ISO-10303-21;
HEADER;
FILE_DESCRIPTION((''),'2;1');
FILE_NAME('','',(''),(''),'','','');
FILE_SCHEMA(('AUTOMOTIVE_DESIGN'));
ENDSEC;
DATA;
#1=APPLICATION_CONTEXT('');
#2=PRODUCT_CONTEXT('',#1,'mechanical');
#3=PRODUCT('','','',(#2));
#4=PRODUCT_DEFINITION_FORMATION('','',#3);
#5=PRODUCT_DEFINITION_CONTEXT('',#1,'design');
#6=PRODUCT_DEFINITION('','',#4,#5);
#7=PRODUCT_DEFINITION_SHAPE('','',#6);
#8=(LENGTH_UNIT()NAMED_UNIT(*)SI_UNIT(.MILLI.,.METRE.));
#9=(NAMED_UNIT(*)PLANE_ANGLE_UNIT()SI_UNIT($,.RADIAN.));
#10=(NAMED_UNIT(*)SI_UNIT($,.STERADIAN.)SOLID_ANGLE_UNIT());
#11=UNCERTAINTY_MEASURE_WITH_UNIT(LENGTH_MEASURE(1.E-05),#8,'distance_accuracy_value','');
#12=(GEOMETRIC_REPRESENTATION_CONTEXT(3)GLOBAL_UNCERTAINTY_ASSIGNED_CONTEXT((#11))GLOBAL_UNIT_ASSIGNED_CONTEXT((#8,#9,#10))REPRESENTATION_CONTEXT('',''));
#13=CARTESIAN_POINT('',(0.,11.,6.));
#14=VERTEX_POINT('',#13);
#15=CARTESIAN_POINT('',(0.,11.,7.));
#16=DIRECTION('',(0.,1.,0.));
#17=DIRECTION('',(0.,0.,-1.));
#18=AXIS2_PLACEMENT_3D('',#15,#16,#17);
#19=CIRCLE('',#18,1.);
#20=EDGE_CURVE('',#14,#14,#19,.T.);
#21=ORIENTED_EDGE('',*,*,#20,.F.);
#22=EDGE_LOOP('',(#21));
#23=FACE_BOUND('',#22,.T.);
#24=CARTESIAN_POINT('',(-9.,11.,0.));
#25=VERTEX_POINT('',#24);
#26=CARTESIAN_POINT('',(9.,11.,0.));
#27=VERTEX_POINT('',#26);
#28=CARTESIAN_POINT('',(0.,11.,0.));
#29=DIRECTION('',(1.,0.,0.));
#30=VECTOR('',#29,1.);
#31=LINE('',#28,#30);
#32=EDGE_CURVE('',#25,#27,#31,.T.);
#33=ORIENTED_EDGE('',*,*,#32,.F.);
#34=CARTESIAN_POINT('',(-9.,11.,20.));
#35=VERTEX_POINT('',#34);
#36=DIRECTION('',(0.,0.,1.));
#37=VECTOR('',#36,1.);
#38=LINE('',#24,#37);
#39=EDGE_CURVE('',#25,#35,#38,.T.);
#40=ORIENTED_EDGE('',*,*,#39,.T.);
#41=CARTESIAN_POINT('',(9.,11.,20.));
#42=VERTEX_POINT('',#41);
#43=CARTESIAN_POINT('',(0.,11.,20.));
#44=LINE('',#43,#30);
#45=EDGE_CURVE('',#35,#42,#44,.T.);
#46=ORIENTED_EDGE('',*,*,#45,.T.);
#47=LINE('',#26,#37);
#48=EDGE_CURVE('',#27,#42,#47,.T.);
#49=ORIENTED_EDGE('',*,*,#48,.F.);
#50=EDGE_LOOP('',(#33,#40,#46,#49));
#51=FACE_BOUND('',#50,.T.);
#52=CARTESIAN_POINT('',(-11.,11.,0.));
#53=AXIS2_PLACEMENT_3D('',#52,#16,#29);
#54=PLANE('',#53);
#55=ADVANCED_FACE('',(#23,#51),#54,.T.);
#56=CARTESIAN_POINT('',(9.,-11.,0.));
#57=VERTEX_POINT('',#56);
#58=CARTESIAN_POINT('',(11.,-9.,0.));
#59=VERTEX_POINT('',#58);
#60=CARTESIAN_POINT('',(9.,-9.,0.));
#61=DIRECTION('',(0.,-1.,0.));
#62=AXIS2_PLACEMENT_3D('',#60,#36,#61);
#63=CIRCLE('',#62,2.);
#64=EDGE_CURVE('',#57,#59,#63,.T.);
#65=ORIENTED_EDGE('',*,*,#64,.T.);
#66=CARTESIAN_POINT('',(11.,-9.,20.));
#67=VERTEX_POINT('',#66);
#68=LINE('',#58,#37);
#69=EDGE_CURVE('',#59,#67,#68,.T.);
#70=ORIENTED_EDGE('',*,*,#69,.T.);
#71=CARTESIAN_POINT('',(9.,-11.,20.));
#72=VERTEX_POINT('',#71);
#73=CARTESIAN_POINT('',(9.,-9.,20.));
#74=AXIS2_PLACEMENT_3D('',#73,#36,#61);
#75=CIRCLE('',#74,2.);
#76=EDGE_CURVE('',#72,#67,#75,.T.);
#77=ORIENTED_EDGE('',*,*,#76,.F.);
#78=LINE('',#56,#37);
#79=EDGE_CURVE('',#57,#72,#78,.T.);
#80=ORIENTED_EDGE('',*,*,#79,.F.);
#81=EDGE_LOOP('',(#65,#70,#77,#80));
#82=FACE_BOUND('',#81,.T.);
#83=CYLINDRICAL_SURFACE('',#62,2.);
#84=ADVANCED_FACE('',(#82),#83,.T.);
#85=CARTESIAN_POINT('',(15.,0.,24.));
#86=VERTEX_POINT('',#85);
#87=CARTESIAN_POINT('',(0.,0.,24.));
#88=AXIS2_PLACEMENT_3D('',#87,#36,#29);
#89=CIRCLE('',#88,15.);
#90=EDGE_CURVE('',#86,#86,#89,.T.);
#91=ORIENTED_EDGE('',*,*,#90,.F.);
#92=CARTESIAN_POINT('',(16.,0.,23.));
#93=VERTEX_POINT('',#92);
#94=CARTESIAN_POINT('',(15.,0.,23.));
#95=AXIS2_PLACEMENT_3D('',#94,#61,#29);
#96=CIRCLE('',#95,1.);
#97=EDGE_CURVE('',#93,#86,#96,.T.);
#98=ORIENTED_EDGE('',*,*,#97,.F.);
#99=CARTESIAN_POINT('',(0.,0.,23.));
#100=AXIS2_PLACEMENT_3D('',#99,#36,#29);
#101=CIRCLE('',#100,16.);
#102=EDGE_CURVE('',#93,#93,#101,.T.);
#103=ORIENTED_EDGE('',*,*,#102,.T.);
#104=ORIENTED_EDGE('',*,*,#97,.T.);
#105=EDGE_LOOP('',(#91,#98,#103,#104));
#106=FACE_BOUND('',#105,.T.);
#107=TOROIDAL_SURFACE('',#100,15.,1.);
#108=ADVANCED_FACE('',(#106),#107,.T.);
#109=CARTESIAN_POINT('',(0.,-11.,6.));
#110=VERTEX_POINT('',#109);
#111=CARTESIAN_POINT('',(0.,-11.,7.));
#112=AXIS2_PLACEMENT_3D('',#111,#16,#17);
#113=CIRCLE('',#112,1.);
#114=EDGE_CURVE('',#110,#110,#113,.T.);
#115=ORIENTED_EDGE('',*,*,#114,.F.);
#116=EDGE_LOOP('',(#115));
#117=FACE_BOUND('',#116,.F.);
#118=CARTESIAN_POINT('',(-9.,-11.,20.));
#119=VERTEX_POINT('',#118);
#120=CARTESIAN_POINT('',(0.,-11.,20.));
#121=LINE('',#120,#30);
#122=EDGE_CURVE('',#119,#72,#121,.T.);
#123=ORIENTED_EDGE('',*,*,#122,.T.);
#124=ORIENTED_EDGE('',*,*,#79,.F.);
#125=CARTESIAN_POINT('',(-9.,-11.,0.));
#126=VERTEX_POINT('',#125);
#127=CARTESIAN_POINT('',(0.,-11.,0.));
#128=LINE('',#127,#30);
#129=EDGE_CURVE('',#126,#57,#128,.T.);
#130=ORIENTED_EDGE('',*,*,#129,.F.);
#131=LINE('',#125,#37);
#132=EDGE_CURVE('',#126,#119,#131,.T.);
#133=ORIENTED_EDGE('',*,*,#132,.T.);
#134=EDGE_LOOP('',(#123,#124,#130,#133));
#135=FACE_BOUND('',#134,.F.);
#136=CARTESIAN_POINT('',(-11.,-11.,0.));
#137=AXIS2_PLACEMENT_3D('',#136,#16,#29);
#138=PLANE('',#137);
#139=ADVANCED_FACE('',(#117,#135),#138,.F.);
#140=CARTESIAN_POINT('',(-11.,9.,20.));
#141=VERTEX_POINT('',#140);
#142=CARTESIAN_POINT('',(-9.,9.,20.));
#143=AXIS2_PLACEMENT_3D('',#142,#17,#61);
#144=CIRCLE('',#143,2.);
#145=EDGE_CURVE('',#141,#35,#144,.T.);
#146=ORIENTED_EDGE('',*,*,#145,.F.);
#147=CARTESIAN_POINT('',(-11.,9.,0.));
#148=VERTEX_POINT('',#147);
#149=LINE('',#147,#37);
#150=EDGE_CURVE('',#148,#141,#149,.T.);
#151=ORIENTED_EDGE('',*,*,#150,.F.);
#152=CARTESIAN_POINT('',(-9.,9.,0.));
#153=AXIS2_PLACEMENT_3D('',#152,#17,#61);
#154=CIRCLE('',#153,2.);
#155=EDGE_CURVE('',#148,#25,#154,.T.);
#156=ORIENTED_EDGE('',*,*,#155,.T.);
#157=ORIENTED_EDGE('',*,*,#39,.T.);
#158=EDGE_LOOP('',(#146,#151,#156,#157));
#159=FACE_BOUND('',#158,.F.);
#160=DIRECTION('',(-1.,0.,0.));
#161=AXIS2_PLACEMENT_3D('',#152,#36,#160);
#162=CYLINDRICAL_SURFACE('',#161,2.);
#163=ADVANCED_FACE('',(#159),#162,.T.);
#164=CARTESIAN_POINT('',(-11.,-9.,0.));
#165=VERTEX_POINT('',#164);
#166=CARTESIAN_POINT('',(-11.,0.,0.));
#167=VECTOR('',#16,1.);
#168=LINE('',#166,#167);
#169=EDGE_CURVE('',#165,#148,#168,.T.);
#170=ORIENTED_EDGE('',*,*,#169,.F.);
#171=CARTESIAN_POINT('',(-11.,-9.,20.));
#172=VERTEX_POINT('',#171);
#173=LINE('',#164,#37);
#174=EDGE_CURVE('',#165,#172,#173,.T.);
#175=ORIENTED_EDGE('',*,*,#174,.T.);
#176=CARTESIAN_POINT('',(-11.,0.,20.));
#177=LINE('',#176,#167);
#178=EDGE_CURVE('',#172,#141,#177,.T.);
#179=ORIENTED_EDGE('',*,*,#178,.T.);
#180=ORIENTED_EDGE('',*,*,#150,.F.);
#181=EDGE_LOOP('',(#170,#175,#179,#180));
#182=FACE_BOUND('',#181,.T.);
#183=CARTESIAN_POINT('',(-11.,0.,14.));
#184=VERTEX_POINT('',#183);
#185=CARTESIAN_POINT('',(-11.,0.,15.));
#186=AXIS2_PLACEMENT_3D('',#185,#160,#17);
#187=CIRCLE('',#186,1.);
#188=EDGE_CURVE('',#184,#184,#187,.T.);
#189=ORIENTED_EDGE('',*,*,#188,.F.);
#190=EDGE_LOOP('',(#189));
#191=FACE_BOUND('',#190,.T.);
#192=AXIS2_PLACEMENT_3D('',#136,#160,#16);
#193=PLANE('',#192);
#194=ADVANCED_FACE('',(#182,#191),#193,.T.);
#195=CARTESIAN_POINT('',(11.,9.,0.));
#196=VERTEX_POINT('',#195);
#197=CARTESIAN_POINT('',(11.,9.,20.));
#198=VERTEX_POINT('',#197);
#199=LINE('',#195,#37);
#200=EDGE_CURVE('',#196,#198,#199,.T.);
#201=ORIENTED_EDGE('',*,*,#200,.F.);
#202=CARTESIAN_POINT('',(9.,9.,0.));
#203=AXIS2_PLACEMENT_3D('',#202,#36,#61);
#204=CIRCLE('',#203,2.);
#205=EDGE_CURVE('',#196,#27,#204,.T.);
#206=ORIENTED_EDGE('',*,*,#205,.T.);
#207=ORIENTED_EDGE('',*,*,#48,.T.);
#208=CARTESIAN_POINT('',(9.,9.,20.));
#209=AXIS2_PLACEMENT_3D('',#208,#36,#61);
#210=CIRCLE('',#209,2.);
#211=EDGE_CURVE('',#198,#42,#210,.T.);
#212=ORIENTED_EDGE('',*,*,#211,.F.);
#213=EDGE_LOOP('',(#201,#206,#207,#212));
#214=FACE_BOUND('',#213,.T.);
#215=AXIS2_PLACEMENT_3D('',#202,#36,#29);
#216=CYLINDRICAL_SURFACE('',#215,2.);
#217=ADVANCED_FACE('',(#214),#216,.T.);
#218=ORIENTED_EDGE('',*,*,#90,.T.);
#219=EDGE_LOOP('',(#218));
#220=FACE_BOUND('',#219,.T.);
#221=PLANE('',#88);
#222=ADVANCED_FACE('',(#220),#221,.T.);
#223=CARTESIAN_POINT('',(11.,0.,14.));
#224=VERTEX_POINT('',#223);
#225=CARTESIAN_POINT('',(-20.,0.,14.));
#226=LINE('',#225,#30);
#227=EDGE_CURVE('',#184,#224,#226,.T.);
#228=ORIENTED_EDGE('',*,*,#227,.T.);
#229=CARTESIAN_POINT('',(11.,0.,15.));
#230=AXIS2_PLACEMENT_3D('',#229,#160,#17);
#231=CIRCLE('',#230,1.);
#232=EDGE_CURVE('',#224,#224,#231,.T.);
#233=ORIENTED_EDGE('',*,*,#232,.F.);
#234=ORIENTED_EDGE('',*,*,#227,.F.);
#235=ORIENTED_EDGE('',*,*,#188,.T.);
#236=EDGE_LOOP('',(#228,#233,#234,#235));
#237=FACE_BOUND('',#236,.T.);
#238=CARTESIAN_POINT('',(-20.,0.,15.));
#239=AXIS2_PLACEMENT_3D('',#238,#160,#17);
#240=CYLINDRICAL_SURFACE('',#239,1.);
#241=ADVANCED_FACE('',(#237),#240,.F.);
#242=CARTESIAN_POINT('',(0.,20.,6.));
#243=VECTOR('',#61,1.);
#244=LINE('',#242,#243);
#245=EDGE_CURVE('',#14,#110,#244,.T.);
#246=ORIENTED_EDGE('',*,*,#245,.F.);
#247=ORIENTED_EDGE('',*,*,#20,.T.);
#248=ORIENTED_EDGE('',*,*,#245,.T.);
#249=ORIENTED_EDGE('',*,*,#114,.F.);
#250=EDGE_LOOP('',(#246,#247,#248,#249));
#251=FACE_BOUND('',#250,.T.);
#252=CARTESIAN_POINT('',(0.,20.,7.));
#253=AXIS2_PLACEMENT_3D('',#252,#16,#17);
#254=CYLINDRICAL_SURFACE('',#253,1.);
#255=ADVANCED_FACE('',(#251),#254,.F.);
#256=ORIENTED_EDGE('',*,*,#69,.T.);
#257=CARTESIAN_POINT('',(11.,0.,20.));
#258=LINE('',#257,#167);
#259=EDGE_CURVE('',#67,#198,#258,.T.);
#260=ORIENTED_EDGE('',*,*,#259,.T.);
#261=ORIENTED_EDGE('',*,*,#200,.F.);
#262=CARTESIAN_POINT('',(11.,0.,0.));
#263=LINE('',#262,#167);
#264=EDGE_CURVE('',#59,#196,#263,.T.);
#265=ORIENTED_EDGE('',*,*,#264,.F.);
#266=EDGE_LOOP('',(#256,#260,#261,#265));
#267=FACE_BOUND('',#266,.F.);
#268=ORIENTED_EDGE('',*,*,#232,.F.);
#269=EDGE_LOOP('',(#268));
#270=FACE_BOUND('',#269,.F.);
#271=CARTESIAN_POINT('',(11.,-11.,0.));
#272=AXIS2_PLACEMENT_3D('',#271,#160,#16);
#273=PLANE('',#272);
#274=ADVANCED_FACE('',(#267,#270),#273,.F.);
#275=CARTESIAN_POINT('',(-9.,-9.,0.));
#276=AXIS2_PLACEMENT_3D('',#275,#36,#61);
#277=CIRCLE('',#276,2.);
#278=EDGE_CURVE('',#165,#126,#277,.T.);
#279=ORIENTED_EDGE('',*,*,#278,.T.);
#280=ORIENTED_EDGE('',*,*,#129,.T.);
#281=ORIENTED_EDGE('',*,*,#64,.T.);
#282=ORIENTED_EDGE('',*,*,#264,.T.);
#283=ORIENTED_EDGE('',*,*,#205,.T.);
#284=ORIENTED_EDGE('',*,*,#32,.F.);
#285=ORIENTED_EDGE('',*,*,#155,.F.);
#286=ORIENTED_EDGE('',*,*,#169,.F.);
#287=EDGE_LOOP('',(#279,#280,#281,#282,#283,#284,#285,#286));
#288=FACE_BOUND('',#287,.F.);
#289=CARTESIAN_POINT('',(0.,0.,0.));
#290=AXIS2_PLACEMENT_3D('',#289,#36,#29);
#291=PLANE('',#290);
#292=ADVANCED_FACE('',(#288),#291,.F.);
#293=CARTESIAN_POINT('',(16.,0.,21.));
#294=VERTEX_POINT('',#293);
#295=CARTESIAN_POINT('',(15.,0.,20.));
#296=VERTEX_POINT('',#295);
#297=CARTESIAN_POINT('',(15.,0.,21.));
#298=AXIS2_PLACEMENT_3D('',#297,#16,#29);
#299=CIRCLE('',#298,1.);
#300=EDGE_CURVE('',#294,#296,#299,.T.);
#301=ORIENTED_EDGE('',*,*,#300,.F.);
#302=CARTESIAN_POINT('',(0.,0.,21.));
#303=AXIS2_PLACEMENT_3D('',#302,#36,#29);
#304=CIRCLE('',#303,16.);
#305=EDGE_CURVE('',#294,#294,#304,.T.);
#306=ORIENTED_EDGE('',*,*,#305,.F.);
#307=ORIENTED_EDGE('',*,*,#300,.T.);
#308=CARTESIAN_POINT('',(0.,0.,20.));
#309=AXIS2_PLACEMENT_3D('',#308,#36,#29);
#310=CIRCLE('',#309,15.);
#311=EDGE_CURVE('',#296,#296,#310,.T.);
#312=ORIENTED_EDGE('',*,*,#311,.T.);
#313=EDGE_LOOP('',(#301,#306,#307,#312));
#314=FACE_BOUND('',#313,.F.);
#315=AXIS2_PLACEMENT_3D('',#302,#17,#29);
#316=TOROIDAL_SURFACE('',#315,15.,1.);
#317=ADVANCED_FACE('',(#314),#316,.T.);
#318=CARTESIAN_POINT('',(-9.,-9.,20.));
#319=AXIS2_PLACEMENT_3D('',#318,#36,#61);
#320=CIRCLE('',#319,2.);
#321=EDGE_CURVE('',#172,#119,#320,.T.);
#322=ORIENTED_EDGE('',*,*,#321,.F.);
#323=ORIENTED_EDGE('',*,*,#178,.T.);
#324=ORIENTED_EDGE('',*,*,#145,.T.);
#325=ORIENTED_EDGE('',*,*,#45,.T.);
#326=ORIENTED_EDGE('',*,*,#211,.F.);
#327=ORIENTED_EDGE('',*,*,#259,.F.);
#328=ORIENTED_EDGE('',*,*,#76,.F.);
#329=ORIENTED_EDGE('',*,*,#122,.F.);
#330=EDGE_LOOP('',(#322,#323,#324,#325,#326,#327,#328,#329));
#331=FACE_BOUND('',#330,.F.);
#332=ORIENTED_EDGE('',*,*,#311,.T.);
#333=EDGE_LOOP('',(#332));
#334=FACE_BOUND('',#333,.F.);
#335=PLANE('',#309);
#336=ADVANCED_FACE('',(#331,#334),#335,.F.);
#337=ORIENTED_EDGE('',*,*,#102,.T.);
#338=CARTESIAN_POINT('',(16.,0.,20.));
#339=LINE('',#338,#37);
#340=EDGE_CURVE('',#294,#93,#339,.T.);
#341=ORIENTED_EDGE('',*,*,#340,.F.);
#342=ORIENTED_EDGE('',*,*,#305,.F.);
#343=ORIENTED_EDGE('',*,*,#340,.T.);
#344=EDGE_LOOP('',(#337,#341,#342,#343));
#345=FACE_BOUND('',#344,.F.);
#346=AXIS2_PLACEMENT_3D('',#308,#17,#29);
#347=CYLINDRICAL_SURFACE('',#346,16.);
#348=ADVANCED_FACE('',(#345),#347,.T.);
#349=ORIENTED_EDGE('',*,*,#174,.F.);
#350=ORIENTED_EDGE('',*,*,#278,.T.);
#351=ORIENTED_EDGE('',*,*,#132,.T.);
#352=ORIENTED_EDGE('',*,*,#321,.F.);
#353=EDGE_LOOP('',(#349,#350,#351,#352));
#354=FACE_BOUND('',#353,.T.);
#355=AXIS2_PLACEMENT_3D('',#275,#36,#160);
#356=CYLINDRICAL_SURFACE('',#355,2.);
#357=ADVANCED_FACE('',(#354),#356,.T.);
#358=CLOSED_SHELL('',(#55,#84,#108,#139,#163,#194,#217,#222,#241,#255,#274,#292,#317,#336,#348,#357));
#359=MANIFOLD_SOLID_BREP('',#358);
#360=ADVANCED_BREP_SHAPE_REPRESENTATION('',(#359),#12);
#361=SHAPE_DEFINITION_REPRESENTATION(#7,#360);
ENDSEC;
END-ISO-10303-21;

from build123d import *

# Parameters (mm, degrees)
CYLINDER019_R     = 1
CYLINDER019_DEPTH = 40
CYLINDER018_R     = 1
CYLINDER018_DEPTH = 40
BOX011_W          = 22
BOX011_H          = 22
BOX011_DEPTH      = 20
FILLET004_R       = 2
CYLINDER017_R     = 16
CYLINDER017_DEPTH = 4
FILLET003_R       = 1


with BuildPart() as screw_hole_cylinder003:
    # Cylinder019 → Cylinder019 (new body)
    with BuildSketch(Plane(origin=(0, 20, 7), x_dir=(0, 0, -1), z_dir=(0, -1, 0))):
        Circle(CYLINDER019_R)
    extrude(amount=CYLINDER019_DEPTH)


with BuildPart() as tope_screw_hole_fusion:
    # Cylinder018 → Cylinder018 (new body)
    with BuildSketch(Plane(origin=(-20, 0, 15), x_dir=(0, 0, -1), z_dir=(1, 0, 0))):
        Circle(CYLINDER018_R)
    extrude(amount=CYLINDER018_DEPTH)

    # Fusion018: union screw hole cylinder003
    add(screw_hole_cylinder003.part)


with BuildPart() as fillet004:
    # Box011 → Box011 (new body)
    with BuildSketch(Plane(origin=(-11, -11, 0), x_dir=(1, 0, 0), z_dir=(0, 0, 1))):
        with Locations((11, 11)):
            Rectangle(BOX011_W, BOX011_H)
    extrude(amount=BOX011_DEPTH)

    # Fillet004
    fillet004_edges = [fillet004.edges().sort_by_distance(p)[0] for p in [
        (-11, -11, 10),
        (-11, 11, 10),
        (11, -11, 10),
        (11, 11, 10),
    ]]
    fillet(fillet004_edges, radius=FILLET004_R)


with BuildPart() as top_cut:
    # Cylinder017 → Cylinder017 (new body)
    with BuildSketch(Plane.XY.offset(20)):
        Circle(CYLINDER017_R)
    extrude(amount=CYLINDER017_DEPTH)

    # Fillet003
    fillet003_edges = [top_cut.edges().sort_by_distance(p)[0] for p in [
        (-16, 0, 24),
        (-16, 0, 20),
    ]]
    fillet(fillet003_edges, radius=FILLET003_R)

    # Fusion017: union Fillet004
    add(fillet004.part)

    # Cut005: cut tope screw hole fusion
    add(tope_screw_hole_fusion.part, mode=Mode.SUBTRACT)


solid = top_cut.part
